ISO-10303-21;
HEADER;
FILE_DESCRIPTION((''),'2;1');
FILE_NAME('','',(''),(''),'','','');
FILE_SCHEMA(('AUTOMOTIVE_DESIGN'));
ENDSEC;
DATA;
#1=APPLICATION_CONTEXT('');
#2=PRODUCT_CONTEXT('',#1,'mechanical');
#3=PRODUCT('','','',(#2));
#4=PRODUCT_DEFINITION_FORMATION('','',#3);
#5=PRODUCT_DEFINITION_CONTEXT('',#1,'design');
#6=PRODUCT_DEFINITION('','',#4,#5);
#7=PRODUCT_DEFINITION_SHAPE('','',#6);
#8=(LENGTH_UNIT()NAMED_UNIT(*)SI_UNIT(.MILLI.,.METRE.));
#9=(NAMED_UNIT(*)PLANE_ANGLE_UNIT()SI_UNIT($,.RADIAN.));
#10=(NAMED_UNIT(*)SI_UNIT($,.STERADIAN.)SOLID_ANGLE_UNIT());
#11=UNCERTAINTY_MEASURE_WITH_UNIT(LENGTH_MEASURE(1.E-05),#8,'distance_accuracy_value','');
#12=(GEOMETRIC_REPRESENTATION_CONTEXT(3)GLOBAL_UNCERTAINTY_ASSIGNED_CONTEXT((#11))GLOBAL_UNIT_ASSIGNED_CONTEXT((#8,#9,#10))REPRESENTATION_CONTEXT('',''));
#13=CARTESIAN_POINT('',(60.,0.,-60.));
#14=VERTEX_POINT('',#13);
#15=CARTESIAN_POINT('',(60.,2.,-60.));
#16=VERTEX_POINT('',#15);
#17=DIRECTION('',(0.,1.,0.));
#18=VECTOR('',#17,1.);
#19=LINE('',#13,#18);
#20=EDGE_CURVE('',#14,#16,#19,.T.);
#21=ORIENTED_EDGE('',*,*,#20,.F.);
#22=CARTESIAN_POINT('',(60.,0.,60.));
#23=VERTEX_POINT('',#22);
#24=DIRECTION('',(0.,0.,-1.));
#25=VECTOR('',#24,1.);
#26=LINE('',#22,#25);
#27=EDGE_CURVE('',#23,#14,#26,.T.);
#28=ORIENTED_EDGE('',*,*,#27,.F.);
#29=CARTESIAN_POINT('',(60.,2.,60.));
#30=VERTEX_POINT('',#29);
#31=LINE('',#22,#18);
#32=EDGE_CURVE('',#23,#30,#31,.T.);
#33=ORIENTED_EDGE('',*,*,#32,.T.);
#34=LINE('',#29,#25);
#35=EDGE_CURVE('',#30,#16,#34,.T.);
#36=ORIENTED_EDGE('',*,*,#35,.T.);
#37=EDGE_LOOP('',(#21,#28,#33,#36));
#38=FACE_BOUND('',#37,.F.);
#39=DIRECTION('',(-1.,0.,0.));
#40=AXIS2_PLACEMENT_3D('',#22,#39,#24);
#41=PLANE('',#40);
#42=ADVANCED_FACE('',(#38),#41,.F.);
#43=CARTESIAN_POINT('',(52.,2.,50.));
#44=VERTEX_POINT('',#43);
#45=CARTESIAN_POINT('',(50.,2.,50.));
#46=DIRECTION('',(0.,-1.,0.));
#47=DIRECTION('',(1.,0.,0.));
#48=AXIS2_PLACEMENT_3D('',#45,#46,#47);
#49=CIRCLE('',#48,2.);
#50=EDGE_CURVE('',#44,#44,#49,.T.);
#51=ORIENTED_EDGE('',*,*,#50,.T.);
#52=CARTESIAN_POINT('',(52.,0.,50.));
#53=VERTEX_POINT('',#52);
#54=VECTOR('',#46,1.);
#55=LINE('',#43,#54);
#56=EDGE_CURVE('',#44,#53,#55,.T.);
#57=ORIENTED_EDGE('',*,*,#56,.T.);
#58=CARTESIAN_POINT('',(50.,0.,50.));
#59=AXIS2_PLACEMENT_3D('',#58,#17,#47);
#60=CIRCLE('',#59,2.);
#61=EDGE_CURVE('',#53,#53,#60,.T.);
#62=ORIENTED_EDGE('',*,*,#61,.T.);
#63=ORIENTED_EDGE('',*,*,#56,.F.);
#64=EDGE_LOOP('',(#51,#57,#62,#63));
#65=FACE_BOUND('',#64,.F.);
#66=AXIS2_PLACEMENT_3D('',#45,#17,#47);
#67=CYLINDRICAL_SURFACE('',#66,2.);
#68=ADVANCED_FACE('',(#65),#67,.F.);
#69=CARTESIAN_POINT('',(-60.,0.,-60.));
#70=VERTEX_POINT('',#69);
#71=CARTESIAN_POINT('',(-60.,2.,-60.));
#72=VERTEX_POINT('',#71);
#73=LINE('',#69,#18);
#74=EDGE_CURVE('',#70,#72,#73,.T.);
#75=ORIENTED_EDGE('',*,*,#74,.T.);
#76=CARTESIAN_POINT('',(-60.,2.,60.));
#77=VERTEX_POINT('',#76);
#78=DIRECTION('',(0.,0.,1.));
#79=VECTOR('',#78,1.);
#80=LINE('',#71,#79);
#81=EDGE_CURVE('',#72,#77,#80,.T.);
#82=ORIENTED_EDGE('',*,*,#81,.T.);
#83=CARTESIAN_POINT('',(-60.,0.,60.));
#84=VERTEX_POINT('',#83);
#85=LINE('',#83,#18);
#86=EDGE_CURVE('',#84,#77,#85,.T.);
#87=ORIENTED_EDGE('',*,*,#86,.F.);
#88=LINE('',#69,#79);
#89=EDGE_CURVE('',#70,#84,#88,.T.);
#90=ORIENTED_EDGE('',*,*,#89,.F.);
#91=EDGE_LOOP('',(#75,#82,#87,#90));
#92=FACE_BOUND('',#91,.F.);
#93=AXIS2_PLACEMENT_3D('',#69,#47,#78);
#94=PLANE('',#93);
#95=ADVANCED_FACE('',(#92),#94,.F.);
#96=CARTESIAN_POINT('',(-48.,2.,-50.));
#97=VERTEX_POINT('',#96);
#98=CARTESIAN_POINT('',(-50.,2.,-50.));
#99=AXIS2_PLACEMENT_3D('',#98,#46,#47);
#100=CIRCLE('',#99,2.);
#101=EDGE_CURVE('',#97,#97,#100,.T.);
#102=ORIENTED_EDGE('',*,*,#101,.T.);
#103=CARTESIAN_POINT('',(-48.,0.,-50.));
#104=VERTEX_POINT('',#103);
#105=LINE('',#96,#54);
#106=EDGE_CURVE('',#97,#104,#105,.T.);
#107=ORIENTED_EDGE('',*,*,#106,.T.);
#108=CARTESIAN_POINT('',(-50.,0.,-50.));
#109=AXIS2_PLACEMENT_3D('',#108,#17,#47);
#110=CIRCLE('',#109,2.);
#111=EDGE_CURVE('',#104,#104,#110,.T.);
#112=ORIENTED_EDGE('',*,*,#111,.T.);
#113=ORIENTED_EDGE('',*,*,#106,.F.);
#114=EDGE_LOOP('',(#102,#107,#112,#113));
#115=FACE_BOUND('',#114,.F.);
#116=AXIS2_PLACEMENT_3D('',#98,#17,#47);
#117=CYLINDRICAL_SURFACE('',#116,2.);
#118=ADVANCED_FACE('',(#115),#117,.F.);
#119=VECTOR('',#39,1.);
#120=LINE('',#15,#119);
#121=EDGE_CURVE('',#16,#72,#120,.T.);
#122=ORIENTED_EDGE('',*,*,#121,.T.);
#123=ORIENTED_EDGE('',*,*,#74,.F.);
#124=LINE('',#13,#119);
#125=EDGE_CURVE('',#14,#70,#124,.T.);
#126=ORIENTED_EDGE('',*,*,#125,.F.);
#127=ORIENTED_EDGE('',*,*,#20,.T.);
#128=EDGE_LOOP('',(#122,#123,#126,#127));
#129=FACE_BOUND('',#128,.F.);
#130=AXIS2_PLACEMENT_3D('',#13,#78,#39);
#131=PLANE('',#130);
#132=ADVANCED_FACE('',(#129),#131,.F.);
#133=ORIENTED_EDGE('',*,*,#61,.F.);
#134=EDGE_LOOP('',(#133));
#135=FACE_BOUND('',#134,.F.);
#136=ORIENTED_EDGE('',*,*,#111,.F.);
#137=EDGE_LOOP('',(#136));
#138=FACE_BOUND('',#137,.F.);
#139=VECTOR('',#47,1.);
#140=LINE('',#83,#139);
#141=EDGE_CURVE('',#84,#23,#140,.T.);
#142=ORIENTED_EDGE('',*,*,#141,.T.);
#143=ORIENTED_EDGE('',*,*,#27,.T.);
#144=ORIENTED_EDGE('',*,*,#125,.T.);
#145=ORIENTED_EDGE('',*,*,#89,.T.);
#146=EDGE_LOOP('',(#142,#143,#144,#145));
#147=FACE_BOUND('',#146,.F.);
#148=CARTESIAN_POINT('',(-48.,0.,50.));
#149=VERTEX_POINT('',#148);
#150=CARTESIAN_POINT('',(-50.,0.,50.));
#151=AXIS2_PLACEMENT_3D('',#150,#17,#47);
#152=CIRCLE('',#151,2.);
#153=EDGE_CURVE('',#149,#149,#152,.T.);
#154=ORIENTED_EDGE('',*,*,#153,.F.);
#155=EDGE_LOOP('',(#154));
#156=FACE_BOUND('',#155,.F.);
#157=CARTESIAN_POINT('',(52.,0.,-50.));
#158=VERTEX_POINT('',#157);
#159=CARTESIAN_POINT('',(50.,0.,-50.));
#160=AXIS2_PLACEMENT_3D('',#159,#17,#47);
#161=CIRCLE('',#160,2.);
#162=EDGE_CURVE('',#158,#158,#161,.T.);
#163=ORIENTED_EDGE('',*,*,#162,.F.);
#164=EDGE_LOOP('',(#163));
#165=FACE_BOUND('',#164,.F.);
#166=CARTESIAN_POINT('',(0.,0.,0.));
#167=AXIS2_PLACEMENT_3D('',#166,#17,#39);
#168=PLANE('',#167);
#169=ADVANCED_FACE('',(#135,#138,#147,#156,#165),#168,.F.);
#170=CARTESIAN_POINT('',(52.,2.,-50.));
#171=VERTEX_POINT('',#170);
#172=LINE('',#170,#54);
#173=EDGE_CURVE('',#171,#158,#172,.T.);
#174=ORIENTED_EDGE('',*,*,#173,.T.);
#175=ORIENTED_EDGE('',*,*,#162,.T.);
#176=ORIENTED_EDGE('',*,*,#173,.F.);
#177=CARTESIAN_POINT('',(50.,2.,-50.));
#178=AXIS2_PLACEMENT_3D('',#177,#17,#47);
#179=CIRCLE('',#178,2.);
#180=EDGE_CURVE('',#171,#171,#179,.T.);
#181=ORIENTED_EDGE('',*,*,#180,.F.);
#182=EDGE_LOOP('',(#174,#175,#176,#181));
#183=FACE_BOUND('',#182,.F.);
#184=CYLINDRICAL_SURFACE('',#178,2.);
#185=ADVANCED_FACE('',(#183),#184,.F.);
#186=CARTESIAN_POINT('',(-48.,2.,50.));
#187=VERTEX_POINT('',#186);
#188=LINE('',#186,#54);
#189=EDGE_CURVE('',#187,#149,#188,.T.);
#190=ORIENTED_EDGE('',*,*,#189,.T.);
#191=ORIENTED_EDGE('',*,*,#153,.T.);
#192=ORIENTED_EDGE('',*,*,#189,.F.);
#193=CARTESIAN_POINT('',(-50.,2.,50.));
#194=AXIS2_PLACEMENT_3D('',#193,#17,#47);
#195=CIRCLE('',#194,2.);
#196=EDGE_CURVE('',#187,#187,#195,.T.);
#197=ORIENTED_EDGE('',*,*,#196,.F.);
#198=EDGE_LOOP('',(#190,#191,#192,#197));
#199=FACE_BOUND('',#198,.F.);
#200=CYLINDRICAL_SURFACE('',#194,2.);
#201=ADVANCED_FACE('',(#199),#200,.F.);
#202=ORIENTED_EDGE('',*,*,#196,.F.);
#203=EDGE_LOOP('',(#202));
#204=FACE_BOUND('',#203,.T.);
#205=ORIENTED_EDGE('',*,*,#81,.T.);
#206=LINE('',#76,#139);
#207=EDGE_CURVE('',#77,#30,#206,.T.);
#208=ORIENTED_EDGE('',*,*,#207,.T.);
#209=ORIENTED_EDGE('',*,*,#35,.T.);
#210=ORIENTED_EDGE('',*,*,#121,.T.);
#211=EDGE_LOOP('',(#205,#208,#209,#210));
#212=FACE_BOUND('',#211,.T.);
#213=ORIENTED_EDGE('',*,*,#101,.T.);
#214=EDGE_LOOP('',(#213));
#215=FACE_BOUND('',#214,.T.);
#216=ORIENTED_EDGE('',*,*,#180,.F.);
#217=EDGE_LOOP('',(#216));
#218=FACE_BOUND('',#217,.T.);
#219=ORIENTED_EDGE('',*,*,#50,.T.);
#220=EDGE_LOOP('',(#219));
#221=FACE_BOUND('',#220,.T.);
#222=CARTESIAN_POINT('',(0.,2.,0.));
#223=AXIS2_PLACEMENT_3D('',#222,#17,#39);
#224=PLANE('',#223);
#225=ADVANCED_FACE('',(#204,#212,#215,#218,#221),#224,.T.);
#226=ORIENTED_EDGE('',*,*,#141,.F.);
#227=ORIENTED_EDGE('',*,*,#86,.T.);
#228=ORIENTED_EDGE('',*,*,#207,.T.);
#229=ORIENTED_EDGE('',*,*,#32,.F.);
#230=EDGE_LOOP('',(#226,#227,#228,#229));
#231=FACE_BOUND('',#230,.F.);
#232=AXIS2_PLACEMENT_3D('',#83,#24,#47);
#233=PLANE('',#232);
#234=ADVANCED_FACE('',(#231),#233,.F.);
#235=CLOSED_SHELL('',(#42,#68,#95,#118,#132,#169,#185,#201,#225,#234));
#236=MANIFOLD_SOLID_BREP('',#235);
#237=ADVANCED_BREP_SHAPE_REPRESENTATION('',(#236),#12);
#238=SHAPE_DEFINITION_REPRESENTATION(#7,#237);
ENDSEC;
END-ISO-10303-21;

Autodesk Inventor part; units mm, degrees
ref_plane "YZ Plane" through (0, 0, 0) normal (1, 0, 0) x (0, 1, 0)
ref_plane "XZ Plane" through (0, 0, 0) normal (0, 1, 0) x (-1, 0, 0)
sketch "Sketch1" plane through (0, 0, 0) normal (0, 1, 0) x (-1, 0, 0)
  line L0 (60, 60) -> (-60, 60)
  line L1 (-60, 60) -> (-60, -60)
  line L2 (-60, -60) -> (60, -60)
  line L3 (60, -60) -> (60, 60)
  line L4 (60, 60) -> (-60, -60) construction
  line L5 (-60, 60) -> (60, -60) construction
  point P0 (0, 0)
  dimension "d0" = 120
  dimension "d1" = 120
extrude "Extrusion1" add sketch "Sketch1" along normal blind 2
ref_plane "Work Plane1" through (0, 2, 0) normal (0, 1, 0) x (1, 0, 0)
sketch "Sketch2" plane through (0, 2, 0) normal (0, 1, 0) x (1, 0, 0)
  line L0 (60, 60) -> (-60, 60) projected
  line L1 (59.4693, -59.8704) -> (-60, 60)
  circle A0 centre (-50, 50) radius 2
  line L2 (0, 60) -> (0, 51.4464)
  circle A1 centre (50, 50) radius 2
  line L3 (60, -60) -> (60, 60) projected
  line L4 (60, 0) -> (52.6499, 0)
  circle A2 centre (50, -50) radius 2
  line L5 (-60, 60) -> (-60, -60) projected
  line L6 (-60, 0) -> (-53.051, 0)
  circle A3 centre (-50, -50) radius 2
  point P0 (0, 0)
  dimension "d5" = 4
extrude "Extrusion2" cut sketch "Sketch2" against normal through all
thread "Thread1" size "M9x1.25" class "6H" standard "ANSI Metric M Profile" full length
properties part number "PCB"
